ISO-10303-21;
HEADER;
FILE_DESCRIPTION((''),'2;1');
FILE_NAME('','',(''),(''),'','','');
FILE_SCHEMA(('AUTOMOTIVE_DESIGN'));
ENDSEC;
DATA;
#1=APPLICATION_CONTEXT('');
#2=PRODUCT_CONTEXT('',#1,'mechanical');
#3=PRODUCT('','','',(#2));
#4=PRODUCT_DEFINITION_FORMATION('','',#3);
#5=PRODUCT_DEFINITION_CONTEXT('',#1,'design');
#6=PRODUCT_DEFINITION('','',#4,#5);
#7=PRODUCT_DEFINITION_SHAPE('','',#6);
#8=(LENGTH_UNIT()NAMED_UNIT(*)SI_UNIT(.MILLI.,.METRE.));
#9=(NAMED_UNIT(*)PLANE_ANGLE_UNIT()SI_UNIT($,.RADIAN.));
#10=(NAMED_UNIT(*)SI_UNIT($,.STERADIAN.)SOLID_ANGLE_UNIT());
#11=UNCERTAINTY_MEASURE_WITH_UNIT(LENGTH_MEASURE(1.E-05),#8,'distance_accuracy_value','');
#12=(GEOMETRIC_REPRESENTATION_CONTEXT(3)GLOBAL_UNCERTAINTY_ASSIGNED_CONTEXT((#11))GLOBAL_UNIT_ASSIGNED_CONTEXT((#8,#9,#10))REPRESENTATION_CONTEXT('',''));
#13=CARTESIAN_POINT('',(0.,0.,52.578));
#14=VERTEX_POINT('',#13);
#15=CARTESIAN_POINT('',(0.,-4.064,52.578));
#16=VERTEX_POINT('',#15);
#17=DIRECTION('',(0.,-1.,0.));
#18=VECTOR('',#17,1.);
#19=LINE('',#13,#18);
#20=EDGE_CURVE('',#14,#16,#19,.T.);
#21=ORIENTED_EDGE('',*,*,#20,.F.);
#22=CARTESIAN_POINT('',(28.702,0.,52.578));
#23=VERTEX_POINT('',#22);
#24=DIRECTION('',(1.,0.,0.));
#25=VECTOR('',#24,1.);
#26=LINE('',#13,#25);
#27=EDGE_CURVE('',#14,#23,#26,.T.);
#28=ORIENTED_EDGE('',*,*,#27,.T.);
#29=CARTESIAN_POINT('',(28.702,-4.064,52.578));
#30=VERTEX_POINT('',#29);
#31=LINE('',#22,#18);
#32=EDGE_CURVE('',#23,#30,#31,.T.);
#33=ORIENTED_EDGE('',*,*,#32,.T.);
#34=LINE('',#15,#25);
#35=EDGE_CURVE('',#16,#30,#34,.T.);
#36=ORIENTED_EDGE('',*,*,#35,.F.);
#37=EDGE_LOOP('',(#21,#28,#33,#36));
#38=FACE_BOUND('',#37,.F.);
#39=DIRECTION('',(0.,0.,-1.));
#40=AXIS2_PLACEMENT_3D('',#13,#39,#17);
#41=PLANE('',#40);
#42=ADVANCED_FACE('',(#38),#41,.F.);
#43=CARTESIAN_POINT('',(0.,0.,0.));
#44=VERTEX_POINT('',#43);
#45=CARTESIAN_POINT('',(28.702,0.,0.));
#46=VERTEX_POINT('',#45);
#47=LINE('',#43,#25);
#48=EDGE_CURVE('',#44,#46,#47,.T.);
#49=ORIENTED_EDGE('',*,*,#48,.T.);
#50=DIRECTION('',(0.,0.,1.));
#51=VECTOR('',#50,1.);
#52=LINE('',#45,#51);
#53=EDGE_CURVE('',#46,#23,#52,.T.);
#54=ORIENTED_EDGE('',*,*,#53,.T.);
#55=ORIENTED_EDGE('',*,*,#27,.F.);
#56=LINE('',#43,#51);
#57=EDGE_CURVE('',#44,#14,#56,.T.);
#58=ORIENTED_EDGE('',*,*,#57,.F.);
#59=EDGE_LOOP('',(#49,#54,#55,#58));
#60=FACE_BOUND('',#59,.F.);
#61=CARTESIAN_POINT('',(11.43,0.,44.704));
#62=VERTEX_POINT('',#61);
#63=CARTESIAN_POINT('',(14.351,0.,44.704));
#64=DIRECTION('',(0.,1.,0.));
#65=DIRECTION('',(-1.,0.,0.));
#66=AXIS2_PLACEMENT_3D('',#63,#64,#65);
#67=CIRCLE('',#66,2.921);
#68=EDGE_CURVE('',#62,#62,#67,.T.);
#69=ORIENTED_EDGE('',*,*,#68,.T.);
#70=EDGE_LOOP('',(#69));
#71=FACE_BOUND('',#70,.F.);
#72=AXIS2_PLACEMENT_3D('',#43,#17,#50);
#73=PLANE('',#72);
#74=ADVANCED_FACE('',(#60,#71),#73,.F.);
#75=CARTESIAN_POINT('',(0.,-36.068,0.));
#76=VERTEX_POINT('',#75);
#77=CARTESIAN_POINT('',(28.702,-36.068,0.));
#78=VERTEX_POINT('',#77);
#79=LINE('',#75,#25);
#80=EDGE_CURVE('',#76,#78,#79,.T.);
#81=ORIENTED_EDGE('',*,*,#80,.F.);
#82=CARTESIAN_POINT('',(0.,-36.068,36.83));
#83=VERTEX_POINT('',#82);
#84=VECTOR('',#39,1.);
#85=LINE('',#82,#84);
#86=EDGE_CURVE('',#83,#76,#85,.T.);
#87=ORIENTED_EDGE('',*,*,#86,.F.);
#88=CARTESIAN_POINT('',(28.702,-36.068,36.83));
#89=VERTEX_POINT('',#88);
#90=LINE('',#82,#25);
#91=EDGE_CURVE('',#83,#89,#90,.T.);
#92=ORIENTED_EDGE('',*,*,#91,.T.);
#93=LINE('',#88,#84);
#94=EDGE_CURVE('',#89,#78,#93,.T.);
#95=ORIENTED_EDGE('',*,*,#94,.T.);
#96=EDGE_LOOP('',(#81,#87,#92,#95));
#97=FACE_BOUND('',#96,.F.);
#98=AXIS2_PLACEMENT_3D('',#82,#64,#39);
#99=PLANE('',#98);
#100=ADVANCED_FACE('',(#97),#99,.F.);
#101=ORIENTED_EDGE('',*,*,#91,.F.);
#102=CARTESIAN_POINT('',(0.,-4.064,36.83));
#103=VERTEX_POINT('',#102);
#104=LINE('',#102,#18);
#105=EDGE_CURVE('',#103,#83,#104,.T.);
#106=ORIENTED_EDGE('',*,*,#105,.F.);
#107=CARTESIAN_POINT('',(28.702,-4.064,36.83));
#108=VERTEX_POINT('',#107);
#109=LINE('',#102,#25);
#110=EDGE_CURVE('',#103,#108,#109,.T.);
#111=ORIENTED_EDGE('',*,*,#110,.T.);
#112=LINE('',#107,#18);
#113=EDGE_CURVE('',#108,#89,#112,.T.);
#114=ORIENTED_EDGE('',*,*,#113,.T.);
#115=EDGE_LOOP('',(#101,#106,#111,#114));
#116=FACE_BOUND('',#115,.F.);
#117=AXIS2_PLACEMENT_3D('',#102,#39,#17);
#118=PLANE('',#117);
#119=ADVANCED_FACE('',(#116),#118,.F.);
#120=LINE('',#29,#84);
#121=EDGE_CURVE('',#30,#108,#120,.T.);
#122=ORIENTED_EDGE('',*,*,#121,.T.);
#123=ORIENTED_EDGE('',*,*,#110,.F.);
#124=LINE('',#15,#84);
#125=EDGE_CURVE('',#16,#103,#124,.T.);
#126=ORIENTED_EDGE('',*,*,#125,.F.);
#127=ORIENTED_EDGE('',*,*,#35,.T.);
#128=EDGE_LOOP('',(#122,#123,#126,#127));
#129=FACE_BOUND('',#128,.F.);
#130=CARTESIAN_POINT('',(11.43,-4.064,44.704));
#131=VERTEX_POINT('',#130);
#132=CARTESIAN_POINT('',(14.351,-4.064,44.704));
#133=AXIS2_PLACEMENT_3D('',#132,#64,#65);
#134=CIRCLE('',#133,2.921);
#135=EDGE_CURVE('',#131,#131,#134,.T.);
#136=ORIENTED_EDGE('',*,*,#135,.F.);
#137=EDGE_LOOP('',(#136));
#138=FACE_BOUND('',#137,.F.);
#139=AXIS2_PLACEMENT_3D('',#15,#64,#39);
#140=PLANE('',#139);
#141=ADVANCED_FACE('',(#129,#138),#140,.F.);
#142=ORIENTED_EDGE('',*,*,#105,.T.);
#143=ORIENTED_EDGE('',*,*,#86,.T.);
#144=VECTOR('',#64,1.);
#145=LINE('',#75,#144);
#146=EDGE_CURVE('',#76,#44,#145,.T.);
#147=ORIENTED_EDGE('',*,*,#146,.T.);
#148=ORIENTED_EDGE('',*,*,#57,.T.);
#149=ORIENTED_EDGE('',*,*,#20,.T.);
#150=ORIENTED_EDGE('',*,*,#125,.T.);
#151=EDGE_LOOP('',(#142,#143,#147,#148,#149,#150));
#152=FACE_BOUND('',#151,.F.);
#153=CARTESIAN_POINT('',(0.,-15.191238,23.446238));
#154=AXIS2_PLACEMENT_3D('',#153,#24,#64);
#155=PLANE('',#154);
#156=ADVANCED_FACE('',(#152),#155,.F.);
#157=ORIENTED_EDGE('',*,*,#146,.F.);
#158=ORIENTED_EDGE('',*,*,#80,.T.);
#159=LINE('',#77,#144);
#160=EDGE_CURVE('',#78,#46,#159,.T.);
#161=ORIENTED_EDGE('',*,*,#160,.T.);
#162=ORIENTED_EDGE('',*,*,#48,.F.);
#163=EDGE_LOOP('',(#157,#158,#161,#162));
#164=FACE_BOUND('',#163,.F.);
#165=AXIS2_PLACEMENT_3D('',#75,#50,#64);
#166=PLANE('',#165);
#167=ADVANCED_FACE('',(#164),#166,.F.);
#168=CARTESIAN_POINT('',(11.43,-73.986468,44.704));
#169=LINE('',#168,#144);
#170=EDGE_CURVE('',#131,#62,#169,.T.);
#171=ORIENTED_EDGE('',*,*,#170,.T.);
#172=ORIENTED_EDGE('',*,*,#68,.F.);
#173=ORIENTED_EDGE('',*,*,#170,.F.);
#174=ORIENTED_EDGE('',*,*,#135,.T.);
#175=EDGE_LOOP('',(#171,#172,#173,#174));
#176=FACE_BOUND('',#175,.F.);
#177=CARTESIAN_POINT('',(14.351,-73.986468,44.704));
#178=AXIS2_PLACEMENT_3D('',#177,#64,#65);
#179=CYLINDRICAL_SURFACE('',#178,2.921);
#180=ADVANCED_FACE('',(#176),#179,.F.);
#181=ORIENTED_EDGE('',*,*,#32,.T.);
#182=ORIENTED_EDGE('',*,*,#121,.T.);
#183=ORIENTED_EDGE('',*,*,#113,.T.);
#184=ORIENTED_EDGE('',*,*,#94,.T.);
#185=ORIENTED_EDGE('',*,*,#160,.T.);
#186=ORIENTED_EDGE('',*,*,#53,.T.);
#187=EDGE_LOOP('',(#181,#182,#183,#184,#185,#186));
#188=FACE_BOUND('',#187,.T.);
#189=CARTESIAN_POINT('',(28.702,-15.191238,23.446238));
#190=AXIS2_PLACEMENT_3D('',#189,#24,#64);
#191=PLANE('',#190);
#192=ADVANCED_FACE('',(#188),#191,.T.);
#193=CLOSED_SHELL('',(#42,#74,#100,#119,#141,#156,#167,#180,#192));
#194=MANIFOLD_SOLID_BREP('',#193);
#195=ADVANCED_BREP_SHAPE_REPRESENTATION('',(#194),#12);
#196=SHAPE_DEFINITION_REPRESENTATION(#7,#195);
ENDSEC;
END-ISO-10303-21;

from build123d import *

# Parameters (mm, degrees)
F1_DEPTH = 28.702
F3_D     = 5.842


with BuildPart() as f1:
    # F0 (on Right) → F1 (new body)
    with BuildSketch(Plane.YZ):
        Polygon((-36.068, 0), (0, 0), (0, 52.578), (-4.064, 52.578), (-4.064, 36.83), (-36.068, 36.83), align=None)
    extrude(amount=F1_DEPTH)

    # F3 (through all)
    with Locations(Plane.XZ.offset(4.064)):
        with Locations((14.351, 44.704)):
            Hole(F3_D / 2)


solid = f1.part
